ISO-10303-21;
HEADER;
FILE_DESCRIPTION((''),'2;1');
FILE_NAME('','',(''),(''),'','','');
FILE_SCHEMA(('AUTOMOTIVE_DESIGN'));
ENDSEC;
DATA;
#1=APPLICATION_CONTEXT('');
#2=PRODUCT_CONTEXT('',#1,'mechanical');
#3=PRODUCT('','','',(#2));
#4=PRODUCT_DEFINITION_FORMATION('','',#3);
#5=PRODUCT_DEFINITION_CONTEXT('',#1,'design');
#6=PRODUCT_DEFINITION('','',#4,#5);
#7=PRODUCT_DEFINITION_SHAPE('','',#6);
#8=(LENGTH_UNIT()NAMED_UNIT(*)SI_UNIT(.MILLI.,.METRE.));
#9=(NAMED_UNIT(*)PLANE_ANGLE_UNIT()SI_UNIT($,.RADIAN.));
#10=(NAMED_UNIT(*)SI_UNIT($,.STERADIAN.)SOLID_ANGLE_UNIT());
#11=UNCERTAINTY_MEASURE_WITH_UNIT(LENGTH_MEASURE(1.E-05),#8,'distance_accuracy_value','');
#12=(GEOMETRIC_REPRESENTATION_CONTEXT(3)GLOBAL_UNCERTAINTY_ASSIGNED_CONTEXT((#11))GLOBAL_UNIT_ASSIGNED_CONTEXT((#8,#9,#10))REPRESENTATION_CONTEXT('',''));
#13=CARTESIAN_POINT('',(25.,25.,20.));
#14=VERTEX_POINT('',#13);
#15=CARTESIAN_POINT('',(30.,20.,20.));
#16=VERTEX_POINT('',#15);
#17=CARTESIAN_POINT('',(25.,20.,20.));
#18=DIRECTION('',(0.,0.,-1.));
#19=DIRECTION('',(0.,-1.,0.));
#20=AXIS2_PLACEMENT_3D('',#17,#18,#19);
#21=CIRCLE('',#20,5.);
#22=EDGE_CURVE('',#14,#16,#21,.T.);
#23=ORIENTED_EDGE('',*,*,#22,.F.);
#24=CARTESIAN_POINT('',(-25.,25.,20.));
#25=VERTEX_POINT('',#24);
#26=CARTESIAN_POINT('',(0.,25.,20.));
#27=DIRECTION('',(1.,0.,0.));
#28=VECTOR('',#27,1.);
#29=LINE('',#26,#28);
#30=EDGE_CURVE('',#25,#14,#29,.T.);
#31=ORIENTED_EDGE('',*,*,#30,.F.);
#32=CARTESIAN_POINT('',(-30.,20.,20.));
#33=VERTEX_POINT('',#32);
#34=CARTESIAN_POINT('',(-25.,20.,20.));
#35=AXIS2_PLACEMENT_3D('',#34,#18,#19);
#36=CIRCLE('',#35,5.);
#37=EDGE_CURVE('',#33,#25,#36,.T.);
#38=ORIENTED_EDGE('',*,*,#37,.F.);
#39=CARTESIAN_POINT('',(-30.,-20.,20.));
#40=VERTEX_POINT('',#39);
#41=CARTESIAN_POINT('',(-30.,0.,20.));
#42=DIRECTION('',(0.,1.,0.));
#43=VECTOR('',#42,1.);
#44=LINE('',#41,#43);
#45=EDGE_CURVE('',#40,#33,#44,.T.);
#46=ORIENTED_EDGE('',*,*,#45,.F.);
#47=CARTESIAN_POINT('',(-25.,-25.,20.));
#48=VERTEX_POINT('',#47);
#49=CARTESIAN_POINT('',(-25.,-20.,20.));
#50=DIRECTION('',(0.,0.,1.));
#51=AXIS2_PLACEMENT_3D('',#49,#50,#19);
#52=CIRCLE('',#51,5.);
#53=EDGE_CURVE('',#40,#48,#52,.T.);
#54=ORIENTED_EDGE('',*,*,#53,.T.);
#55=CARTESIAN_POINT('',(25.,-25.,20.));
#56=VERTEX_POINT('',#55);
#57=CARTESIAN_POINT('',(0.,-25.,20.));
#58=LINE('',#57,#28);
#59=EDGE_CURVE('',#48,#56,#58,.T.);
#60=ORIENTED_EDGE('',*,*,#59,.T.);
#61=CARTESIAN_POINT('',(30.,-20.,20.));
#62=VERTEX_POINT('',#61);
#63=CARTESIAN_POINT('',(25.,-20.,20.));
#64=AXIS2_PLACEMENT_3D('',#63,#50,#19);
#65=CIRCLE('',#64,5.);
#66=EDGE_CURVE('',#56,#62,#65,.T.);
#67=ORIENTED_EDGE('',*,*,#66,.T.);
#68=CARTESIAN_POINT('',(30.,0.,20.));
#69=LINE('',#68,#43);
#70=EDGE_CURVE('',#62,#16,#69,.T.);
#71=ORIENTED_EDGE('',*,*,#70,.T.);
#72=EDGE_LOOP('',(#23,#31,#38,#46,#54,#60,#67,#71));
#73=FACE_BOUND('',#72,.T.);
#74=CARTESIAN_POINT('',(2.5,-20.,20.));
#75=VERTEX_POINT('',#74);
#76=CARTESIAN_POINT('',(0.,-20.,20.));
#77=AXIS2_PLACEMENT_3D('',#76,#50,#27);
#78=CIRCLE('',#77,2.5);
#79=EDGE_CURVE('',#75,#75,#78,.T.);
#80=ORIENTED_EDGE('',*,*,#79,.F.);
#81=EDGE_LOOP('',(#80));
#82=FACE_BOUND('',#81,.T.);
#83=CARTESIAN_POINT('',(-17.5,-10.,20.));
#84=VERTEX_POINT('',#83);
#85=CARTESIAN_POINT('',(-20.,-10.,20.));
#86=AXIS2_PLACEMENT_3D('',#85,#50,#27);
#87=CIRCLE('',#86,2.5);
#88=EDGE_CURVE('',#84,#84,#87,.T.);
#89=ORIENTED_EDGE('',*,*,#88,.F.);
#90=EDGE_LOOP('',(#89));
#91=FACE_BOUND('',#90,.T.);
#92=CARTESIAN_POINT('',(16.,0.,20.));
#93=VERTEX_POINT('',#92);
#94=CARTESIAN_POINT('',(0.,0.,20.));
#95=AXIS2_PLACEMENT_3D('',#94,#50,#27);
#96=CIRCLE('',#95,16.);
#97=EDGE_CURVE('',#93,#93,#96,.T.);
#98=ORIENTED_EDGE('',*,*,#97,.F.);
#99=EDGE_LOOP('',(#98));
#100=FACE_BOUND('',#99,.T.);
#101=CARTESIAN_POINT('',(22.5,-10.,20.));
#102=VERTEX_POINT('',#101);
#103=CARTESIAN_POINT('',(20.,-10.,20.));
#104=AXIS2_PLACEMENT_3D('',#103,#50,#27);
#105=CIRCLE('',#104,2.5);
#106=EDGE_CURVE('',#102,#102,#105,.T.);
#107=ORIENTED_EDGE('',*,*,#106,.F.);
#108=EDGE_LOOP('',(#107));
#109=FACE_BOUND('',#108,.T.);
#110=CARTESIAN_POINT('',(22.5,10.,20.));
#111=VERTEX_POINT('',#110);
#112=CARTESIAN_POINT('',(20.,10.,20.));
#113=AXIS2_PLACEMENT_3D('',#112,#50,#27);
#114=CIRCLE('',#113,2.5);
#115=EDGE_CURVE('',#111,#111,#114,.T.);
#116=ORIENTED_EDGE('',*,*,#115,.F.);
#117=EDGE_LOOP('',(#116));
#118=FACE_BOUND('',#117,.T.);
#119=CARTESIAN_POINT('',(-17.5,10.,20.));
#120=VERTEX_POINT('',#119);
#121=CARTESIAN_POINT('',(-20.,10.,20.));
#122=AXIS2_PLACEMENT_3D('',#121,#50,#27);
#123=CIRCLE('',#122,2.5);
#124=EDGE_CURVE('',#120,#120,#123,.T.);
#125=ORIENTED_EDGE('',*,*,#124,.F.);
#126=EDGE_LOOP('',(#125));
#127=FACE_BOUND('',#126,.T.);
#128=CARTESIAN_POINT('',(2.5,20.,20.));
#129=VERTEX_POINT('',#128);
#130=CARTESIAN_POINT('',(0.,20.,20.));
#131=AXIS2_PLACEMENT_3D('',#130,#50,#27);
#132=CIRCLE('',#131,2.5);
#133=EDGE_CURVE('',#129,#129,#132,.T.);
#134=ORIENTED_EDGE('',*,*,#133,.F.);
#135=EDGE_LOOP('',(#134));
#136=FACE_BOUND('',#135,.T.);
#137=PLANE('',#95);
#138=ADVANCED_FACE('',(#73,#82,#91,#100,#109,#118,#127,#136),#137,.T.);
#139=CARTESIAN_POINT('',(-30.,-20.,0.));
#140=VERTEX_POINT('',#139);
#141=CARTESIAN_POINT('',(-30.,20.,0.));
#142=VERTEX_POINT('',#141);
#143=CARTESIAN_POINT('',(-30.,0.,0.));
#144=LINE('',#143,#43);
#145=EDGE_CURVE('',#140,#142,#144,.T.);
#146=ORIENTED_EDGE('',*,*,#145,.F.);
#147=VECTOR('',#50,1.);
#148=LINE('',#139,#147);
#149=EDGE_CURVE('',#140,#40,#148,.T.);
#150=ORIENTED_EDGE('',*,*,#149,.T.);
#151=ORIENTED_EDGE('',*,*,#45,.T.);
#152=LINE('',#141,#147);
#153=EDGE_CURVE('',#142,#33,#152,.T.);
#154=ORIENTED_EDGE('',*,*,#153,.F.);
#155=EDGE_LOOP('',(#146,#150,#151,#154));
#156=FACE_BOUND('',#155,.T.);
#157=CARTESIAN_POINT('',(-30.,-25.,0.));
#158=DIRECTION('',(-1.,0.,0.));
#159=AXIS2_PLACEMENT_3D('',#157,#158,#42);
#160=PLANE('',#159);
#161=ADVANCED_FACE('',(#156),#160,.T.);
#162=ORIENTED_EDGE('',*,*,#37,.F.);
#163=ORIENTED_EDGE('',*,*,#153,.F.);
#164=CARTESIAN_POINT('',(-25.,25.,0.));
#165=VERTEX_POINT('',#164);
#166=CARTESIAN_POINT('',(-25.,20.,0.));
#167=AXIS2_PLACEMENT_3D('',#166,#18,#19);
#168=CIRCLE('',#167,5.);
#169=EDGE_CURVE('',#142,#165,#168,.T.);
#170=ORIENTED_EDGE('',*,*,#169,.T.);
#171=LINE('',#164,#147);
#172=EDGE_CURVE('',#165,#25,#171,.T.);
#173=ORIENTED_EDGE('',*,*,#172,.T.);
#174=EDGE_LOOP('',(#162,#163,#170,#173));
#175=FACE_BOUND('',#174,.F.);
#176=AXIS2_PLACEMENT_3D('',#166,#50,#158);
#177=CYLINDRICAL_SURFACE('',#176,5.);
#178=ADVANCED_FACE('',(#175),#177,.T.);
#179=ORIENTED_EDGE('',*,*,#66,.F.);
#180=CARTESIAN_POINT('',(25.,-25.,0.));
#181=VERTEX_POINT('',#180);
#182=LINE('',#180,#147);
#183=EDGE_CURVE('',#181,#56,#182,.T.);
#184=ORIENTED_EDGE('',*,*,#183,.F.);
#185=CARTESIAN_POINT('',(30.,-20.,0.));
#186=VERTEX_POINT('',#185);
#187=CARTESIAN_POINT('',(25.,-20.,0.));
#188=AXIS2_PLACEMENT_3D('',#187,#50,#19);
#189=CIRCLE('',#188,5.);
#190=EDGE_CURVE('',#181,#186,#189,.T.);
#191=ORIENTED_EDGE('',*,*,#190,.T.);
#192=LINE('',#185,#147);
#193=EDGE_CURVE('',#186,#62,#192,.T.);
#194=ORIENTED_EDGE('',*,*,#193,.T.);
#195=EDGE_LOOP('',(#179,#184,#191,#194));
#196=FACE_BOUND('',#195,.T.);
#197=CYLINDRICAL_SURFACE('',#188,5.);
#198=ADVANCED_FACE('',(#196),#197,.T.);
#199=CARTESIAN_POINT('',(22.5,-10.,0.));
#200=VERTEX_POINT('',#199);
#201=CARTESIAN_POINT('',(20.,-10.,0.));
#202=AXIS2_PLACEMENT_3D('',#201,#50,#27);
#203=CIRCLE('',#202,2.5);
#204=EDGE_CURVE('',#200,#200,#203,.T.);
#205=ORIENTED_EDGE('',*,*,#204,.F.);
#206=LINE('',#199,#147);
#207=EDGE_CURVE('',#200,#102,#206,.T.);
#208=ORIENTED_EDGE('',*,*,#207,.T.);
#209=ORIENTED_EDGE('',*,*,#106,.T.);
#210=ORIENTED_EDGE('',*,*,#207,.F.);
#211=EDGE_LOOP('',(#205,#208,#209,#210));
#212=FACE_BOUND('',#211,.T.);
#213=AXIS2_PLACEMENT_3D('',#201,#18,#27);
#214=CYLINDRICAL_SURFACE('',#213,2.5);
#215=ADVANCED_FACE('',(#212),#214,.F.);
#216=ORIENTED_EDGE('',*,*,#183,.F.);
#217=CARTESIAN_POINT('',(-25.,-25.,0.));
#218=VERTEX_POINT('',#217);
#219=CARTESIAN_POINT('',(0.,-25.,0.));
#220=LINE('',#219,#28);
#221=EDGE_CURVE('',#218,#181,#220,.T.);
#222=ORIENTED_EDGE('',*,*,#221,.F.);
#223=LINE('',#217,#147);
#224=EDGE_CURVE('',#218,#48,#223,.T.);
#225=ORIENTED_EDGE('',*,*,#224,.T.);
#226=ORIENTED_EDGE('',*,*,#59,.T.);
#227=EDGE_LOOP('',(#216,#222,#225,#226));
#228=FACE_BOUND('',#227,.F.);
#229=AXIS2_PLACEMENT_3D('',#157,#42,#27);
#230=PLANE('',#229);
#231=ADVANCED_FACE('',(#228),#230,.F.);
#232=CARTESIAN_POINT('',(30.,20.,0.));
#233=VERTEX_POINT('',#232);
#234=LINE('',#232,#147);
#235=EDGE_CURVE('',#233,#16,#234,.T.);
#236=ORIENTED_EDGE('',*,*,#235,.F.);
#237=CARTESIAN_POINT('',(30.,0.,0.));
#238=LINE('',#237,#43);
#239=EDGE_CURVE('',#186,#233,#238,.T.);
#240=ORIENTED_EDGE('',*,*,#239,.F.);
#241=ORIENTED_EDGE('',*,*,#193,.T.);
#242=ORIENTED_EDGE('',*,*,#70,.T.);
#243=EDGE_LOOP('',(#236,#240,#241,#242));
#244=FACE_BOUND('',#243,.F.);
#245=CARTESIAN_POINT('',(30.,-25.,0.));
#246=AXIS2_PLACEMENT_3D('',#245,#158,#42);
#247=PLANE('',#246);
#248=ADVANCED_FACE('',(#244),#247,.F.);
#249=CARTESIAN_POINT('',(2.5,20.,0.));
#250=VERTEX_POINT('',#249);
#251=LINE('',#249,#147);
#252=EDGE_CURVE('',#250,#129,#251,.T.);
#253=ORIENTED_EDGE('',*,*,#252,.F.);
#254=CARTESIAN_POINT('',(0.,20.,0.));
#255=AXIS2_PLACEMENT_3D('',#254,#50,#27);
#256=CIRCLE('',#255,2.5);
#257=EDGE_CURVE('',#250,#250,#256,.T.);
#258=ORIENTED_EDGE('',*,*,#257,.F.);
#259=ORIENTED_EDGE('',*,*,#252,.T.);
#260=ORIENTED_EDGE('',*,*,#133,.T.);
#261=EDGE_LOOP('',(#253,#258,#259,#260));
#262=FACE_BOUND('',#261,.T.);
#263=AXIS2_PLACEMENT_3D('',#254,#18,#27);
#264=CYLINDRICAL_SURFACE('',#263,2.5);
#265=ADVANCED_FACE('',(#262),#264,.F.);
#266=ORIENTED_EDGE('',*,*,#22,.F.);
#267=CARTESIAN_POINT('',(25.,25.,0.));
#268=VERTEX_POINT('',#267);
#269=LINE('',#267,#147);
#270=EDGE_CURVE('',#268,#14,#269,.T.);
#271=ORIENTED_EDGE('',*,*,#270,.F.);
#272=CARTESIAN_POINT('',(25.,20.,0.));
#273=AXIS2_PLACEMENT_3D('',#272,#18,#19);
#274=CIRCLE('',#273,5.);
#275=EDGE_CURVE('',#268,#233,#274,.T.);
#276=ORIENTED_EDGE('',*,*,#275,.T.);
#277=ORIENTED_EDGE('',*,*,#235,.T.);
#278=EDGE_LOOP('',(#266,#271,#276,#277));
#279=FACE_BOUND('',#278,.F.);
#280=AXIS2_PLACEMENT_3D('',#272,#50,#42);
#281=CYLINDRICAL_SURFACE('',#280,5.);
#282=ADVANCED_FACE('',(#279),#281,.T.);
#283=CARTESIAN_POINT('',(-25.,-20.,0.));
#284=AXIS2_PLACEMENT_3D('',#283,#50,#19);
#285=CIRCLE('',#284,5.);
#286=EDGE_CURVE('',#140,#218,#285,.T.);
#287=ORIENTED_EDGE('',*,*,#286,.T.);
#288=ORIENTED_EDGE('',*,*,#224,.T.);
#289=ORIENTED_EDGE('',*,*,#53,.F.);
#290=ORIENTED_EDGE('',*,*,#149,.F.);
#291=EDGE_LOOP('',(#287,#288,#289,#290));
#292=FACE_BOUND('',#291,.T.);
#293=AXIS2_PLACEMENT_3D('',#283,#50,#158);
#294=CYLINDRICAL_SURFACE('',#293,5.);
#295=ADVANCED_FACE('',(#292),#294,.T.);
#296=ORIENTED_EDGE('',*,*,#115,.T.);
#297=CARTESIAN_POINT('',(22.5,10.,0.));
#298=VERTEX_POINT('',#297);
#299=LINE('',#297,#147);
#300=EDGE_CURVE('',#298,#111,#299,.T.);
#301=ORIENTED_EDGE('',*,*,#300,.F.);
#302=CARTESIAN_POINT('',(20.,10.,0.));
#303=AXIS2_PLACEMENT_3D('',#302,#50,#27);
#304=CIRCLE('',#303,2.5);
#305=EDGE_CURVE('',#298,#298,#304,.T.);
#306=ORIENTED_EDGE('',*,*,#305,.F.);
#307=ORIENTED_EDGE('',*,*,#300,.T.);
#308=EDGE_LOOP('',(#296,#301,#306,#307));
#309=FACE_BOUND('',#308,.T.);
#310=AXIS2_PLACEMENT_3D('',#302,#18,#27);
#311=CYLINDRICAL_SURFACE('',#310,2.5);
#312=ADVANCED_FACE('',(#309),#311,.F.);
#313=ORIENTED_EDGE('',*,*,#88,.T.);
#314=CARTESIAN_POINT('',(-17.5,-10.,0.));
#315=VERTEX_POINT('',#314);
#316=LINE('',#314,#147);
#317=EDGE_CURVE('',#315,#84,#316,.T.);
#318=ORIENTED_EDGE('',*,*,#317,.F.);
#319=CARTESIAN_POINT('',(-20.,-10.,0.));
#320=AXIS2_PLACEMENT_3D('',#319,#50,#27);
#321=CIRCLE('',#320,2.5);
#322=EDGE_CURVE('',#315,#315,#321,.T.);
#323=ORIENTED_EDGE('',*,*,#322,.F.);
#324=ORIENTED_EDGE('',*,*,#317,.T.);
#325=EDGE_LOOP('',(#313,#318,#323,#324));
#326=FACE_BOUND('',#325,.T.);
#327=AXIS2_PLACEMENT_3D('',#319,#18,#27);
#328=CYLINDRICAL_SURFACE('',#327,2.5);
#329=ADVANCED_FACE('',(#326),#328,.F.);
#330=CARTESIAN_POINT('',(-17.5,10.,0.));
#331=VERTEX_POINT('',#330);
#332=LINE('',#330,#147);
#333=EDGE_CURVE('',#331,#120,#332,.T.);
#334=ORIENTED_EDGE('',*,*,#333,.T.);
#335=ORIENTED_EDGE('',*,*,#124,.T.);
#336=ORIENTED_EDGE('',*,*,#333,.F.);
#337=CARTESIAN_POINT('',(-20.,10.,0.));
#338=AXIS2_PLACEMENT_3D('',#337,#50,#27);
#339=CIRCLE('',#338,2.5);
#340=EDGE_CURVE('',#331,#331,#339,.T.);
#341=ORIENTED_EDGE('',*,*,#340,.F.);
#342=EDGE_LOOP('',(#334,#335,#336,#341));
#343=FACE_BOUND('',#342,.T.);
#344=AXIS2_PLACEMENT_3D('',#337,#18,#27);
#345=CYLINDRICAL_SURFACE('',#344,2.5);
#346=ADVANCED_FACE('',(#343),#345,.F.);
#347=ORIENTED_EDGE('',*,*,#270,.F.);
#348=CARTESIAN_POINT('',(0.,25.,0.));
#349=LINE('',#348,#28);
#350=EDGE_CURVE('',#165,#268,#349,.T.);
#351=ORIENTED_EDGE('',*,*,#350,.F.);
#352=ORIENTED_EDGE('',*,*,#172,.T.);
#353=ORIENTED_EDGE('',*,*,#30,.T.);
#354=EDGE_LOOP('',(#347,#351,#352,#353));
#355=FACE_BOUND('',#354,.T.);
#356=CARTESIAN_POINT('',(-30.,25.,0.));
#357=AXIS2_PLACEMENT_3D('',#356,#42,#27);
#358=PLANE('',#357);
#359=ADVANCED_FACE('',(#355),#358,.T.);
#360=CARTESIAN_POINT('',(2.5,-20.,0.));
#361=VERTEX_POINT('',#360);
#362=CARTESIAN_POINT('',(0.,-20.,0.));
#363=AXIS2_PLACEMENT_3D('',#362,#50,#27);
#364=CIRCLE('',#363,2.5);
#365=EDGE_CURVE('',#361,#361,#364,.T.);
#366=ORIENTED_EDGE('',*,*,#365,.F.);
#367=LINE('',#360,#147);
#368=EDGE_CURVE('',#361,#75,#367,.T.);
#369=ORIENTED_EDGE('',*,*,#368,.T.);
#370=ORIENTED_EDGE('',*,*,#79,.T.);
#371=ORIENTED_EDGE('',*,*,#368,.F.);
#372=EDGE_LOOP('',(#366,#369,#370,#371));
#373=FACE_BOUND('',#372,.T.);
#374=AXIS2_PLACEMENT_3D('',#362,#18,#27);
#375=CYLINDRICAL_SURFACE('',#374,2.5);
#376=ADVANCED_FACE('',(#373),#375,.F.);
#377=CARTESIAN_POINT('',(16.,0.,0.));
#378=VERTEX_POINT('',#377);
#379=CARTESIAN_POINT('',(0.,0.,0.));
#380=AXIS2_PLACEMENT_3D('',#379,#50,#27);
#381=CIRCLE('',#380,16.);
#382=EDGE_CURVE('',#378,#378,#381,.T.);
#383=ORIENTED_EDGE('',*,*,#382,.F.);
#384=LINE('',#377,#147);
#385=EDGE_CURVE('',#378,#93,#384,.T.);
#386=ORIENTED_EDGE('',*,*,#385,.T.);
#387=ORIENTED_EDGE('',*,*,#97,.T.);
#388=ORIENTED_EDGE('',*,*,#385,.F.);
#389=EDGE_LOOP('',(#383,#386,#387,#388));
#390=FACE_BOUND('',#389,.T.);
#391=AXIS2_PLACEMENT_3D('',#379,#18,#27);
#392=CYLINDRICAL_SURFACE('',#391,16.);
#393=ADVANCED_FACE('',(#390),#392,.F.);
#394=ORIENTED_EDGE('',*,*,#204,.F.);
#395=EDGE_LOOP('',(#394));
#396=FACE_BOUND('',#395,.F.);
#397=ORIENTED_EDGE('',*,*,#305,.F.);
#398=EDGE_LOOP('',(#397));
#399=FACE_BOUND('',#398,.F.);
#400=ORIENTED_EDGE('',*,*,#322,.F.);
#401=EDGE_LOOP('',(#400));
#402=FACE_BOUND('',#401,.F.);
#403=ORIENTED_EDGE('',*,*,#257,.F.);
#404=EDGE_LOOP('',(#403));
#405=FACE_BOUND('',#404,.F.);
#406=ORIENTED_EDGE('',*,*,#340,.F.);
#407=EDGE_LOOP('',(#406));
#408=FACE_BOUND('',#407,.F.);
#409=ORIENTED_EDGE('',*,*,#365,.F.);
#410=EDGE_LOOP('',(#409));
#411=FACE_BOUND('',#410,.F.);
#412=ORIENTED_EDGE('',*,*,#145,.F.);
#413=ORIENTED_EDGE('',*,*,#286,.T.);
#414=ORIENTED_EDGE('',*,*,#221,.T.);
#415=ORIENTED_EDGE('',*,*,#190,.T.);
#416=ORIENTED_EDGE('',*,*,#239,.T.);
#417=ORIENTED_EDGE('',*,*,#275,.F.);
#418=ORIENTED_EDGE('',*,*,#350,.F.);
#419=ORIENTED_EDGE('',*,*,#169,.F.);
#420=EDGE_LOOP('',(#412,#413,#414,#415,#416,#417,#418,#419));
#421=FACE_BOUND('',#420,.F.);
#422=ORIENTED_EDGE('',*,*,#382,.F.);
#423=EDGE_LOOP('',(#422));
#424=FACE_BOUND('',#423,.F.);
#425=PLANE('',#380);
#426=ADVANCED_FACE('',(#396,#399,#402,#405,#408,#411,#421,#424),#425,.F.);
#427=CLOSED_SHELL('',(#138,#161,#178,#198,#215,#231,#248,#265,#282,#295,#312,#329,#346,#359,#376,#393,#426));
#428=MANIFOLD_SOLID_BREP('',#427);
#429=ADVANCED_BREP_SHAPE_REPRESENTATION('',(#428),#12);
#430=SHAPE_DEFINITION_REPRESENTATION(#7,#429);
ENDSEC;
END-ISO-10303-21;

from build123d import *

# Parameters (mm, degrees)
SKETCH_W   = 60
SKETCH_H   = 50
SKETCH_R   = 2.5
SKETCH_R_2 = 16
PAD_DEPTH  = 20
FILLET_R   = 5


with BuildPart() as part:
    # Sketch → Pad (new body)
    with BuildSketch(Plane.XY):
        Rectangle(SKETCH_W, SKETCH_H)
        with Locations((0, 20)):
            Circle(SKETCH_R, mode=Mode.SUBTRACT)
        with Locations((-20, 10)):
            Circle(SKETCH_R, mode=Mode.SUBTRACT)
        with Locations((-20, -10)):
            Circle(SKETCH_R, mode=Mode.SUBTRACT)
        with Locations((20, -10)):
            Circle(SKETCH_R, mode=Mode.SUBTRACT)
        with Locations((20, 10)):
            Circle(SKETCH_R, mode=Mode.SUBTRACT)
        with Locations((0, -20)):
            Circle(SKETCH_R, mode=Mode.SUBTRACT)
        Circle(SKETCH_R_2, mode=Mode.SUBTRACT)
    extrude(amount=PAD_DEPTH)

    # Fillet
    fillet_edges = [part.edges().sort_by_distance(p)[0] for p in [
        (30, 25, 10),
        (30, -25, 10),
        (-30, -25, 10),
        (-30, 25, 10),
    ]]
    fillet(fillet_edges, radius=FILLET_R)


solid = part.part
